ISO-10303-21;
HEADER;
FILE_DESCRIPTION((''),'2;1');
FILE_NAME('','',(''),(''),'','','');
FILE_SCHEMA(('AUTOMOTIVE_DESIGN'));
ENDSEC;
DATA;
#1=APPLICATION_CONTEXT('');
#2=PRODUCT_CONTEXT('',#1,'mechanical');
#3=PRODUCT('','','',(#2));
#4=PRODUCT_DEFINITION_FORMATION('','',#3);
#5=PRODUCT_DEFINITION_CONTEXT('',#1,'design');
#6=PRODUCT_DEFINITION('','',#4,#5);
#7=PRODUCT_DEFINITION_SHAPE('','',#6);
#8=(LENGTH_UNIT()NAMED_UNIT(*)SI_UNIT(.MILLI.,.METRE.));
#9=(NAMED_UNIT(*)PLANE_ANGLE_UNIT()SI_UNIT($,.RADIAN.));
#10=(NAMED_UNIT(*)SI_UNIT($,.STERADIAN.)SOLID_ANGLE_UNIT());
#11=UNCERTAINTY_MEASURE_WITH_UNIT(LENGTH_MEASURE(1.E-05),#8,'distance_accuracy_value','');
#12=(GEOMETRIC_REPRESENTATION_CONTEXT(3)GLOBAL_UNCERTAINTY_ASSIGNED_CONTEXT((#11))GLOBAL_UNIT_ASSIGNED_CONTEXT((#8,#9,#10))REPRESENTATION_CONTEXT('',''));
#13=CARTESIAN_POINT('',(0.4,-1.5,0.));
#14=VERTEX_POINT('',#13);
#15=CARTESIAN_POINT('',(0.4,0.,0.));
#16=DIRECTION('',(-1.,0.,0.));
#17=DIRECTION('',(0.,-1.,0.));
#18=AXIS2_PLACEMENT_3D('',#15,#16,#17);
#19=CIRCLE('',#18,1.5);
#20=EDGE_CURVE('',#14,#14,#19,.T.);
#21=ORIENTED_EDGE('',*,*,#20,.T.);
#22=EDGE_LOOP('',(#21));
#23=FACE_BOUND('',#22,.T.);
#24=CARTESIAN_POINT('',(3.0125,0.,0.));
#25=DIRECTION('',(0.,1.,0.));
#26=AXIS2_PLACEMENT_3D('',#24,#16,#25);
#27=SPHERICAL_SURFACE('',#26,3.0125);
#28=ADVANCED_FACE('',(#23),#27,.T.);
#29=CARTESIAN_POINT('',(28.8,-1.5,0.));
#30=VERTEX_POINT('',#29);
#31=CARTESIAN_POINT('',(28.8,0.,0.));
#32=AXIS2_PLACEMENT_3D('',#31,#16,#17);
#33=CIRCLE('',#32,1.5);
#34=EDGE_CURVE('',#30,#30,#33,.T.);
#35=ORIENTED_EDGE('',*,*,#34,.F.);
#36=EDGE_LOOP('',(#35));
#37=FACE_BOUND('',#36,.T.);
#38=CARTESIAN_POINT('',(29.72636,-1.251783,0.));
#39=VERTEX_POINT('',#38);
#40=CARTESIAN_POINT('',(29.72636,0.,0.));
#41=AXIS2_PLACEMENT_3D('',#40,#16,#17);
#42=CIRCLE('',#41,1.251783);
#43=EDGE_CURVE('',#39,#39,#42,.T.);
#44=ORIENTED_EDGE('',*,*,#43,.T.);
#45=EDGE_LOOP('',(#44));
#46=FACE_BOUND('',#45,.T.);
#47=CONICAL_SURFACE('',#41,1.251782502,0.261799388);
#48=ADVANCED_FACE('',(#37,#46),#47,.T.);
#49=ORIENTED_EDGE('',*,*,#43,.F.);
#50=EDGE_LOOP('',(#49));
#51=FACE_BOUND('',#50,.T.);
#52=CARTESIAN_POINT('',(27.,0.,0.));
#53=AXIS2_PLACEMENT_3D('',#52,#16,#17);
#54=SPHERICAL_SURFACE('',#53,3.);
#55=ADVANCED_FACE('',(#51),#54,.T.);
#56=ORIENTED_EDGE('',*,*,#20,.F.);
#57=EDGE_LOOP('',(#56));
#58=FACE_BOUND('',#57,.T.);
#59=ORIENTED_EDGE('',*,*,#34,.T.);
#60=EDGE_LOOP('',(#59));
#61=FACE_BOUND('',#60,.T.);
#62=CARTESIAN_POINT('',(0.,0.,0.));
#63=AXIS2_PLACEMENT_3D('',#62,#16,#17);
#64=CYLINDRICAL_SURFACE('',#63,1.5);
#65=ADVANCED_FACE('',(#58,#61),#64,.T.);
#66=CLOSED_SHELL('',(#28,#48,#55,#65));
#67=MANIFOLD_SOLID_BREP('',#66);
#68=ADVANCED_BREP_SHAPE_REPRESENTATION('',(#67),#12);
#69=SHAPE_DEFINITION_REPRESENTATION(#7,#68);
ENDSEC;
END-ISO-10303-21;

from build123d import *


with BuildPart() as part:
    # BodySke → Body (revolve)
    with BuildSketch(Plane.XY):
        with BuildLine():
            Line((28.8, 1.5), (29.726360315, 1.251782502))
            ThreePointArc((29.726360315, 1.251782502), (29.930791783, 0.640671154), (30, 0))
            Line((30, 0), (0, 0))
            ThreePointArc((0, 0), (0.101717244, 0.776208735), (0.4, 1.5))
            Line((0.4, 1.5), (28.8, 1.5))
        make_face()
    revolve(axis=Axis((0, 0, 0), (1, 0, 0)))


solid = part.part
